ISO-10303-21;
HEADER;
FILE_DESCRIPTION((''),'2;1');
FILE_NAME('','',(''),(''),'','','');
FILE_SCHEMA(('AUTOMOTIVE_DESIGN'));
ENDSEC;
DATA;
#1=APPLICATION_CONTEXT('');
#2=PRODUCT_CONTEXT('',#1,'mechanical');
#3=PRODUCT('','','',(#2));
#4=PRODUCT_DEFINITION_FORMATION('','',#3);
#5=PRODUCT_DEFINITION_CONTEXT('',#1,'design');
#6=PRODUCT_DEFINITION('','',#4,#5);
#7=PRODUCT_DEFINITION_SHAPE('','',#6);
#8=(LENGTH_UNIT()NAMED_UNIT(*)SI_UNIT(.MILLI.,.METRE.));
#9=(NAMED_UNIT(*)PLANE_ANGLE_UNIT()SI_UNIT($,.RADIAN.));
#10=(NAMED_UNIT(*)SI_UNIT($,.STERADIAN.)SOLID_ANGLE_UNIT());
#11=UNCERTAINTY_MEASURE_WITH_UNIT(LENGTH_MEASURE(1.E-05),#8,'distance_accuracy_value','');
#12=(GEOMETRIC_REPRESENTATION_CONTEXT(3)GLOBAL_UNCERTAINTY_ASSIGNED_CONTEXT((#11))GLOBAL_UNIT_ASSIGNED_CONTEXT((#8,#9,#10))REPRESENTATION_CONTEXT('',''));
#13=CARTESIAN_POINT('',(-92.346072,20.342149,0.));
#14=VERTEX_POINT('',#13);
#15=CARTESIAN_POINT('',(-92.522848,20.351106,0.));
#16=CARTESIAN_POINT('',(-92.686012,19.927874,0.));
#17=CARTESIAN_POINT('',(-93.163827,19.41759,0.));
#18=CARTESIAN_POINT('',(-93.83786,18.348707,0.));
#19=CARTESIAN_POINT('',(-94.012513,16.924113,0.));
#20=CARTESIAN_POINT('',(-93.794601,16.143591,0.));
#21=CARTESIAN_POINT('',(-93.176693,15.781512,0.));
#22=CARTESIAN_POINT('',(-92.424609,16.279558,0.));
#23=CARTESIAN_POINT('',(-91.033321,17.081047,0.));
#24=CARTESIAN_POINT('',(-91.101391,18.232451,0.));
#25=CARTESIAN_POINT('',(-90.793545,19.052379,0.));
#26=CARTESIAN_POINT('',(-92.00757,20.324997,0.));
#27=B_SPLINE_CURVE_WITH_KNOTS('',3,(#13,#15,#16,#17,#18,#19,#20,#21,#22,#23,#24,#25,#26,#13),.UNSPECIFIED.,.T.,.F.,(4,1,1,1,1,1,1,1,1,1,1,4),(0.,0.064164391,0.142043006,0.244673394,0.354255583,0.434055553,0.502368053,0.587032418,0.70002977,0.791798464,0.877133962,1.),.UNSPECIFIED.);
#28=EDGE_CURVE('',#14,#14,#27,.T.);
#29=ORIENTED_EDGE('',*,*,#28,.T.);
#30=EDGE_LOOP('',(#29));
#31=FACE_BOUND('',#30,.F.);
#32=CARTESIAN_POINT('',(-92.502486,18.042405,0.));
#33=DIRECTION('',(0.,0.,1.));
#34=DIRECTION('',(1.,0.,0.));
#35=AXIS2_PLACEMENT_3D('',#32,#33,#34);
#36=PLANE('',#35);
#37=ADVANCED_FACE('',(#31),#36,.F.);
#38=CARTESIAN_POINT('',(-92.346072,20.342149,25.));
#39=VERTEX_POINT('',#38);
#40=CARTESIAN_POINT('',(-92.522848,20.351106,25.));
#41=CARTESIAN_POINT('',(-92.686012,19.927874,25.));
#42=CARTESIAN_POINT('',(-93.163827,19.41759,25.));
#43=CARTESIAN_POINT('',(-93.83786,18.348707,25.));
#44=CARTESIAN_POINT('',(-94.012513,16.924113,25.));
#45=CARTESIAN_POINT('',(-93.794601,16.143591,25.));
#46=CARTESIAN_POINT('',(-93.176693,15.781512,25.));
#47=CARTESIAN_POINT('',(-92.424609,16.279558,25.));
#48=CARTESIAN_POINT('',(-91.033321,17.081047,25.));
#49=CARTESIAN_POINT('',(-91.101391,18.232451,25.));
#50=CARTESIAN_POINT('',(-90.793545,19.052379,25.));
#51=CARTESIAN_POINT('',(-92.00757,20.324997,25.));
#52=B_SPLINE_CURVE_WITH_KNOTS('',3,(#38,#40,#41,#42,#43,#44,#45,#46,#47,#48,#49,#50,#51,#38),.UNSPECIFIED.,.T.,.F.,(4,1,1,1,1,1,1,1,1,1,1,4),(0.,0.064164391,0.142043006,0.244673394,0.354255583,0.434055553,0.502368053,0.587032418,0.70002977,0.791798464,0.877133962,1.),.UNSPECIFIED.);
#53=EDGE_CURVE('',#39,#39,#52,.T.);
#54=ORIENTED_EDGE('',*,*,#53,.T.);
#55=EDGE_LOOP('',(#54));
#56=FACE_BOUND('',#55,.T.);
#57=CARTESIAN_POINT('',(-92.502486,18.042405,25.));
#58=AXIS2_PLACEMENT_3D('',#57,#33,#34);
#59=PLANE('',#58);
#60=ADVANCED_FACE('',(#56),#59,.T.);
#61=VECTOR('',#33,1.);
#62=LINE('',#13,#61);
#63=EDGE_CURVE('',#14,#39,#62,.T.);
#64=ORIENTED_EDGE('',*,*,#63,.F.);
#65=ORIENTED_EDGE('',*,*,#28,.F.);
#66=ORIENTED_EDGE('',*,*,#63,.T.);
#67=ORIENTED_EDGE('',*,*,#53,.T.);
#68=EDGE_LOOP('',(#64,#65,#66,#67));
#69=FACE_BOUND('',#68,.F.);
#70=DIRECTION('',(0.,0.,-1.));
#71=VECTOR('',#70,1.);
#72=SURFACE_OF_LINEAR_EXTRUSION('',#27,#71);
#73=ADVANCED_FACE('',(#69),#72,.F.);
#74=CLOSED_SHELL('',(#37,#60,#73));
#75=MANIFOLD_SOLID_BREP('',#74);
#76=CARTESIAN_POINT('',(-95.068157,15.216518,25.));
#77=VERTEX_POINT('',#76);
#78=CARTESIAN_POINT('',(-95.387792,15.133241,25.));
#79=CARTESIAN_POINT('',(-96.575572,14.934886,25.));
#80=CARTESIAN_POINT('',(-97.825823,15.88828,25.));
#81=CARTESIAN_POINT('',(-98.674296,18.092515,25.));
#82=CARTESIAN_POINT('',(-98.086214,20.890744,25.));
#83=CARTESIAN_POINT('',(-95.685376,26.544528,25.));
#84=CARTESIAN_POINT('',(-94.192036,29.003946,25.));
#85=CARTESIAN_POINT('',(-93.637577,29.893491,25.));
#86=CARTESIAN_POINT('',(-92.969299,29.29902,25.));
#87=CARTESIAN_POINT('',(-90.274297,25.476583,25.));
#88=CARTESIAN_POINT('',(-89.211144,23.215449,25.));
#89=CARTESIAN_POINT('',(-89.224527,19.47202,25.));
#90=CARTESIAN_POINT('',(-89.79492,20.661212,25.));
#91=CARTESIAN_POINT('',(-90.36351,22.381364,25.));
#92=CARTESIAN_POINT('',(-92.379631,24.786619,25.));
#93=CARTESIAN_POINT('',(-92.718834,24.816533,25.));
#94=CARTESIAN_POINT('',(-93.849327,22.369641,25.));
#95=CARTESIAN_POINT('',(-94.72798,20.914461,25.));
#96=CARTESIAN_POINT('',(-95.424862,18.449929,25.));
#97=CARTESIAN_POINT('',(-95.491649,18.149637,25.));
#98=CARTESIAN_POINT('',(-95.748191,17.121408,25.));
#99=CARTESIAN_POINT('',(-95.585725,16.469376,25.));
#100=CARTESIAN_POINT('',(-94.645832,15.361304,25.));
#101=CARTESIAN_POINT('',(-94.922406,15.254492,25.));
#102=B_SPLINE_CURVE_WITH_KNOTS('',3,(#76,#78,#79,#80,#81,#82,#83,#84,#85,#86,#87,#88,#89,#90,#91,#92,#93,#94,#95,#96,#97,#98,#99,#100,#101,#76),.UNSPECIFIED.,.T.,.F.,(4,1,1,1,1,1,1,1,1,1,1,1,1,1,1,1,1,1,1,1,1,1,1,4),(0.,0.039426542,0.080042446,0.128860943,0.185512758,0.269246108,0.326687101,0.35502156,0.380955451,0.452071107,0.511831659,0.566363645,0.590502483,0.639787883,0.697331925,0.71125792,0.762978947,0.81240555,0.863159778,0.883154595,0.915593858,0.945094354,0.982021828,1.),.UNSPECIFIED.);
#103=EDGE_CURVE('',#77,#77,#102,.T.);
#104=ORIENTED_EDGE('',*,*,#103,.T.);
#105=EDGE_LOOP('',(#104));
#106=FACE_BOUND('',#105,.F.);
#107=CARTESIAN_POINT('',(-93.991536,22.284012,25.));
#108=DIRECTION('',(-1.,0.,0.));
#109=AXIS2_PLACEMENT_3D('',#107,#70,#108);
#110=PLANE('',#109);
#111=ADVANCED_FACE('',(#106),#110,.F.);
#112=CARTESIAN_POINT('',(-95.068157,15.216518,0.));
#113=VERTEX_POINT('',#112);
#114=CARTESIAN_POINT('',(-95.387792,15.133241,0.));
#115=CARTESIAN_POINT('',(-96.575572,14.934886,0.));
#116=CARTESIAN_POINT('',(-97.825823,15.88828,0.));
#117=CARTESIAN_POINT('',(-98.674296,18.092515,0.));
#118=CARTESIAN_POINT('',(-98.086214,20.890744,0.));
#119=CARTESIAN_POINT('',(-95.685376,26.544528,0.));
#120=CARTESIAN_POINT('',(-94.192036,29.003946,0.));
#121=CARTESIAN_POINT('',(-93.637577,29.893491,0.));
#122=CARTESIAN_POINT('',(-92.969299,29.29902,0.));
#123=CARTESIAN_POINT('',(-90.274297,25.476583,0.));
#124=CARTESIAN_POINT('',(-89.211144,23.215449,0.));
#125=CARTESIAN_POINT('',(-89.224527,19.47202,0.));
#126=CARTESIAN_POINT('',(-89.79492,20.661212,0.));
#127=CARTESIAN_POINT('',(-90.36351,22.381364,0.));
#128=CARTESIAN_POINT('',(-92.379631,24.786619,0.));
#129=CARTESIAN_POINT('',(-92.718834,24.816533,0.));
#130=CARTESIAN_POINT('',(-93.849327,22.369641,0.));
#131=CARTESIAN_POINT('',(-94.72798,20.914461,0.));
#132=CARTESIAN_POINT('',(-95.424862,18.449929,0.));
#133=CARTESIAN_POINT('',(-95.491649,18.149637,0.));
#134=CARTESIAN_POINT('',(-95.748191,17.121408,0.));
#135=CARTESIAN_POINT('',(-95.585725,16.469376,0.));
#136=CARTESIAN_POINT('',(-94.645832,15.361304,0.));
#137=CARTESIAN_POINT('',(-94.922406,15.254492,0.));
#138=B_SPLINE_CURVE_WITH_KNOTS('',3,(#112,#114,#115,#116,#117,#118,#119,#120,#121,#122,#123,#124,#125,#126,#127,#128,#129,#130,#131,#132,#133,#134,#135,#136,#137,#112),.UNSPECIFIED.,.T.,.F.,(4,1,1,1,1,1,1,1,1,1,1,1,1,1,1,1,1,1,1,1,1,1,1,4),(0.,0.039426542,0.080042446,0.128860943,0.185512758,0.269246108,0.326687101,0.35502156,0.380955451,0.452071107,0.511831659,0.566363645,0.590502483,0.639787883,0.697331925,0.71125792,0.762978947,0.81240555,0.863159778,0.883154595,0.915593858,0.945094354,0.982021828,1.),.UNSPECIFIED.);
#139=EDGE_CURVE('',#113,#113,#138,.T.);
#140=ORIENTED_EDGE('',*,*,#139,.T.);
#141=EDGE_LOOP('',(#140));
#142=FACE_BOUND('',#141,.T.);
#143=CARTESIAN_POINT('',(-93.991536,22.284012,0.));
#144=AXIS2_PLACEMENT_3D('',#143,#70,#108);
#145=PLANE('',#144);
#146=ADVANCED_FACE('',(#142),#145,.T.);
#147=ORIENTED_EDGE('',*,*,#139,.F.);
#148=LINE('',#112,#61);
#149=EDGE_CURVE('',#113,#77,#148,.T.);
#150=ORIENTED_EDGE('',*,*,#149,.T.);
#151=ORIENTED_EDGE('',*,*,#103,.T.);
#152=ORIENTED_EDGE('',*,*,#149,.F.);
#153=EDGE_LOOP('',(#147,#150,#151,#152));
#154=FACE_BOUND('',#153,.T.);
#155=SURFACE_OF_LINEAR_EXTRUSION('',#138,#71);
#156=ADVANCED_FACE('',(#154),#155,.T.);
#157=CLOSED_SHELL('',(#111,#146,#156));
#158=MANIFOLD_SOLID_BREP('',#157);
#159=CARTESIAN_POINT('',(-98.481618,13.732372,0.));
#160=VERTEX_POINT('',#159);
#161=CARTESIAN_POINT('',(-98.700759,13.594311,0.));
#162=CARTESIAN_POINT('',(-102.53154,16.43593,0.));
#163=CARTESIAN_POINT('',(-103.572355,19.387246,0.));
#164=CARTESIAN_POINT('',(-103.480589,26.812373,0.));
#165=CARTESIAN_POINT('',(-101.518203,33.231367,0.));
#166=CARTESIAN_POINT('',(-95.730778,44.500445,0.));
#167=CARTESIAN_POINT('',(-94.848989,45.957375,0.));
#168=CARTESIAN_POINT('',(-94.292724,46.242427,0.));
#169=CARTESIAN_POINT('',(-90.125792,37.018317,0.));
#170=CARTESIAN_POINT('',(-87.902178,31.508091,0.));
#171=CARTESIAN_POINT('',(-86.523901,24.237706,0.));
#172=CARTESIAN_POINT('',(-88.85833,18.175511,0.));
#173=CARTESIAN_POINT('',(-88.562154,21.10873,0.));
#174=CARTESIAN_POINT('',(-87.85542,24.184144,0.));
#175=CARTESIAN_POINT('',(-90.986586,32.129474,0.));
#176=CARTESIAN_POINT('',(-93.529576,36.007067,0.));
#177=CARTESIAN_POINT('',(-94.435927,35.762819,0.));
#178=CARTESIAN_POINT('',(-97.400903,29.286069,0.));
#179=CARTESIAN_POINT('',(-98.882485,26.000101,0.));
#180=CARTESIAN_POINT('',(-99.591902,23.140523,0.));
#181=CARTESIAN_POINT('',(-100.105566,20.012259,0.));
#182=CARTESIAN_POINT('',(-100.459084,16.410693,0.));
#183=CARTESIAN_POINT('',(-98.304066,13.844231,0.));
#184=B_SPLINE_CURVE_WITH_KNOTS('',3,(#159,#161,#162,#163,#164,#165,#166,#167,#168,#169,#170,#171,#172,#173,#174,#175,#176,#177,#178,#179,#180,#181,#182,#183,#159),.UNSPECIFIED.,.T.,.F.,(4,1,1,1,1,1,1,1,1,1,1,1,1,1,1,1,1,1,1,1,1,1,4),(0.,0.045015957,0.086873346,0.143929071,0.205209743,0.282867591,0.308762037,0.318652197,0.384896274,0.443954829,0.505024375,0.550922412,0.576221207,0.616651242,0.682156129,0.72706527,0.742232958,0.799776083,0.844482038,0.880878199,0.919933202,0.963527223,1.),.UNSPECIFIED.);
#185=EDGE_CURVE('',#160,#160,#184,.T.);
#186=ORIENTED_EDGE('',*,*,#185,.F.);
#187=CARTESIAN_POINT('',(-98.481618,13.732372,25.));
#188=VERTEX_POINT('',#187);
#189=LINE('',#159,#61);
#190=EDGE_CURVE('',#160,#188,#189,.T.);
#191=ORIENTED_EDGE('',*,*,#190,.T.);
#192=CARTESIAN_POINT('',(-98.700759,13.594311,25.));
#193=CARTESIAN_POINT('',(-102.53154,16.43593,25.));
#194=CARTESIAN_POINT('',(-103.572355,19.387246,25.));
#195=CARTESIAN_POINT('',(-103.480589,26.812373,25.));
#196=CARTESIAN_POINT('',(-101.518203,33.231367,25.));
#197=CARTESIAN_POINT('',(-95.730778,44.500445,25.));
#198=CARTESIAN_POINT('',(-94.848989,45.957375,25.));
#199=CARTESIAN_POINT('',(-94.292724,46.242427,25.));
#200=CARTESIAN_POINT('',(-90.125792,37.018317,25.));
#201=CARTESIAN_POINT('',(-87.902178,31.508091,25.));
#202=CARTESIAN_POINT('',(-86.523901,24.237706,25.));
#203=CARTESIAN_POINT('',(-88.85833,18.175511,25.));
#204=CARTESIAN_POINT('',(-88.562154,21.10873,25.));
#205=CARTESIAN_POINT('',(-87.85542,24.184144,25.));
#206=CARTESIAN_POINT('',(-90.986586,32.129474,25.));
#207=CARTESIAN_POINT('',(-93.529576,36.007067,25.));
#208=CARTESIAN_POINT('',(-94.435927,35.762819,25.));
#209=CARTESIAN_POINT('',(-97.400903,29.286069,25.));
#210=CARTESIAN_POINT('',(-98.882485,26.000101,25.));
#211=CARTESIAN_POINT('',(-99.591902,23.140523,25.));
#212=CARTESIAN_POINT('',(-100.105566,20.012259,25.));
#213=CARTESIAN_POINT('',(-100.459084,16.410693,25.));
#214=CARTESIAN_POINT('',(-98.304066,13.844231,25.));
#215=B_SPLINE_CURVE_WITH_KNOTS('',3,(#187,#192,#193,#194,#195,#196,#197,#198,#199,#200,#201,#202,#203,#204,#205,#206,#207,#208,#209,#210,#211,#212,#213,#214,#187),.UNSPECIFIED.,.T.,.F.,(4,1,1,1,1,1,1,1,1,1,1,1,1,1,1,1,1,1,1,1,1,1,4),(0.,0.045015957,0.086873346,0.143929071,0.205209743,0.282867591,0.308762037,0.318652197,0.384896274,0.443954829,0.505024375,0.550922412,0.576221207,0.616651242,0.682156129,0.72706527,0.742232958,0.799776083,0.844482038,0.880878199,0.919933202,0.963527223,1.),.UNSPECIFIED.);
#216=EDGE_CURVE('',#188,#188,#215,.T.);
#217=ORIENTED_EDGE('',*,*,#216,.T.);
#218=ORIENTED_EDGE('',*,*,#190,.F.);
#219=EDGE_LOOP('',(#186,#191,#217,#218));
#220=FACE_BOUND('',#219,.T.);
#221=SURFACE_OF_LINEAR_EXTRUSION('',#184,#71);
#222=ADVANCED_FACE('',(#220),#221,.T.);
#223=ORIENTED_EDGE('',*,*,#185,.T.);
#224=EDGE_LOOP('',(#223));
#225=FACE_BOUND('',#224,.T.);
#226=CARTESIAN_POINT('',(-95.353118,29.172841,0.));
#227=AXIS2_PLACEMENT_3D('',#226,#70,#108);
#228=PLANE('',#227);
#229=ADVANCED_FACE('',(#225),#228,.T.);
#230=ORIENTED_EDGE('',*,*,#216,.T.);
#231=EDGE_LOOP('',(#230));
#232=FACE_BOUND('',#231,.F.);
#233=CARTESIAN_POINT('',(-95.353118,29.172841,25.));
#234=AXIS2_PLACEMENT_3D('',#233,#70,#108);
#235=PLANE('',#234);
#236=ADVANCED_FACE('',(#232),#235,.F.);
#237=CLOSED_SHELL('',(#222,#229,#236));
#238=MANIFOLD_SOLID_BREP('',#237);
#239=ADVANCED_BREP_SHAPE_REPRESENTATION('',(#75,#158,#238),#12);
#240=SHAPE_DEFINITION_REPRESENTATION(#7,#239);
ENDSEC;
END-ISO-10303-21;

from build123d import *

# Parameters (mm, degrees)
F1_DEPTH = 25
F3_DEPTH = 25
F5_DEPTH = 25


with BuildPart() as f1:
    # F0 (on Top) → F1 (new body)
    with BuildSketch(Plane.XY):
        with BuildLine():
            add(Edge.make_bspline(
                [(-98.4816178679, 13.7323718518), (-98.7007590027, 13.5943108674), (-102.5315403996, 16.4359302885), (-103.5723546329, 19.3872462641), (-103.480588934, 26.8123725701), (-101.5182025576, 33.231366918), (-95.7307779261, 44.5004448059), (-94.8489889218, 45.957374826), (-94.2927243939, 46.2424266285), (-90.1257919886, 37.0183171253), (-87.9021777766, 31.5080909122), (-86.5239014991, 24.2377057564), (-88.8583297172, 18.175510525), (-88.5621543426, 21.1087296144), (-87.8554204371, 24.1841442515), (-90.9865855459, 32.1294735394), (-93.5295758612, 36.0070667667), (-94.4359270458, 35.7628193173), (-97.4009025949, 29.2860689176), (-98.8824852252, 26.0001010263), (-99.5919021146, 23.1405230715), (-100.1055656895, 20.01225874), (-100.4590842486, 16.4106933057), (-98.304065591, 13.844231463), (-98.4816178679, 13.7323718518)],
                knots=[0, 0, 0, 0, 0.0450159574, 0.0868733462, 0.1439290707, 0.2052097427, 0.2828675906, 0.308762037, 0.3186521968, 0.384896274, 0.4439548294, 0.5050243753, 0.5509224125, 0.5762212068, 0.6166512416, 0.6821561294, 0.7270652698, 0.7422329583, 0.7997760829, 0.8444820377, 0.8808781988, 0.9199332016, 0.963527223, 1, 1, 1, 1], degree=3))
        make_face()
    extrude(amount=F1_DEPTH)


with BuildPart() as f3:
    # F2 (on Top) → F3 (new body)
    with BuildSketch(Plane.XY):
        with BuildLine():
            add(Edge.make_bspline(
                [(-95.0681567192, 15.2165181935), (-95.3877919776, 15.1332408756), (-96.5755721262, 14.9348863293), (-97.8258231458, 15.8882802156), (-98.674295845, 18.0925150393), (-98.0862137382, 20.8907436095), (-95.6853757975, 26.5445280715), (-94.1920361644, 29.0039464959), (-93.6375766639, 29.8934907668), (-92.9692994188, 29.2990199915), (-90.2742971226, 25.4765831029), (-89.2111438564, 23.2154490906), (-89.2245272242, 19.472019715), (-89.7949202603, 20.6612122295), (-90.363509512, 22.3813637399), (-92.3796306134, 24.7866194647), (-92.7188335043, 24.8165332592), (-93.8493267235, 22.369641448), (-94.727979689, 20.9144606619), (-95.4248615498, 18.4499290454), (-95.4916492867, 18.1496369426), (-95.7481912245, 17.1214080786), (-95.5857245646, 16.4693757), (-94.6458322417, 15.3613035412), (-94.9224057267, 15.2544919508), (-95.0681567192, 15.2165181935)],
                knots=[0, 0, 0, 0, 0.0394265415, 0.0800424464, 0.1288609431, 0.1855127584, 0.2692461083, 0.3266871007, 0.3550215597, 0.3809554513, 0.4520711069, 0.5118316594, 0.5663636451, 0.5905024827, 0.639787883, 0.6973319251, 0.7112579197, 0.7629789474, 0.8124055499, 0.863159778, 0.8831545949, 0.9155938584, 0.9450943537, 0.9820218283, 1, 1, 1, 1], degree=3))
        make_face()
    extrude(amount=F3_DEPTH)


with BuildPart() as f5:
    # F4 (on Top) → F5 (new body)
    with BuildSketch(Plane.XY):
        with BuildLine():
            add(Edge.make_bspline(
                [(-92.346072197, 20.3421488404), (-92.5228483181, 20.3511058268), (-92.6860119455, 19.9278738024), (-93.1638265054, 19.4175900115), (-93.8378599693, 18.3487065124), (-94.0125129366, 16.9241132244), (-93.7946007232, 16.1435906697), (-93.1766933809, 15.7815124483), (-92.4246085489, 16.2795578036), (-91.0333214059, 17.0810473071), (-91.1013905432, 18.2324505513), (-90.7935454223, 19.0523792061), (-92.0075700879, 20.3249974359), (-92.346072197, 20.3421488404)],
                knots=[0, 0, 0, 0, 0.0641643908, 0.142043006, 0.2446733944, 0.3542555826, 0.4340555531, 0.5023680529, 0.5870324177, 0.7000297702, 0.7917984638, 0.877133962, 1, 1, 1, 1], degree=3))
        make_face()
    extrude(amount=F5_DEPTH)


solid = Compound([f1.part, f3.part, f5.part])
